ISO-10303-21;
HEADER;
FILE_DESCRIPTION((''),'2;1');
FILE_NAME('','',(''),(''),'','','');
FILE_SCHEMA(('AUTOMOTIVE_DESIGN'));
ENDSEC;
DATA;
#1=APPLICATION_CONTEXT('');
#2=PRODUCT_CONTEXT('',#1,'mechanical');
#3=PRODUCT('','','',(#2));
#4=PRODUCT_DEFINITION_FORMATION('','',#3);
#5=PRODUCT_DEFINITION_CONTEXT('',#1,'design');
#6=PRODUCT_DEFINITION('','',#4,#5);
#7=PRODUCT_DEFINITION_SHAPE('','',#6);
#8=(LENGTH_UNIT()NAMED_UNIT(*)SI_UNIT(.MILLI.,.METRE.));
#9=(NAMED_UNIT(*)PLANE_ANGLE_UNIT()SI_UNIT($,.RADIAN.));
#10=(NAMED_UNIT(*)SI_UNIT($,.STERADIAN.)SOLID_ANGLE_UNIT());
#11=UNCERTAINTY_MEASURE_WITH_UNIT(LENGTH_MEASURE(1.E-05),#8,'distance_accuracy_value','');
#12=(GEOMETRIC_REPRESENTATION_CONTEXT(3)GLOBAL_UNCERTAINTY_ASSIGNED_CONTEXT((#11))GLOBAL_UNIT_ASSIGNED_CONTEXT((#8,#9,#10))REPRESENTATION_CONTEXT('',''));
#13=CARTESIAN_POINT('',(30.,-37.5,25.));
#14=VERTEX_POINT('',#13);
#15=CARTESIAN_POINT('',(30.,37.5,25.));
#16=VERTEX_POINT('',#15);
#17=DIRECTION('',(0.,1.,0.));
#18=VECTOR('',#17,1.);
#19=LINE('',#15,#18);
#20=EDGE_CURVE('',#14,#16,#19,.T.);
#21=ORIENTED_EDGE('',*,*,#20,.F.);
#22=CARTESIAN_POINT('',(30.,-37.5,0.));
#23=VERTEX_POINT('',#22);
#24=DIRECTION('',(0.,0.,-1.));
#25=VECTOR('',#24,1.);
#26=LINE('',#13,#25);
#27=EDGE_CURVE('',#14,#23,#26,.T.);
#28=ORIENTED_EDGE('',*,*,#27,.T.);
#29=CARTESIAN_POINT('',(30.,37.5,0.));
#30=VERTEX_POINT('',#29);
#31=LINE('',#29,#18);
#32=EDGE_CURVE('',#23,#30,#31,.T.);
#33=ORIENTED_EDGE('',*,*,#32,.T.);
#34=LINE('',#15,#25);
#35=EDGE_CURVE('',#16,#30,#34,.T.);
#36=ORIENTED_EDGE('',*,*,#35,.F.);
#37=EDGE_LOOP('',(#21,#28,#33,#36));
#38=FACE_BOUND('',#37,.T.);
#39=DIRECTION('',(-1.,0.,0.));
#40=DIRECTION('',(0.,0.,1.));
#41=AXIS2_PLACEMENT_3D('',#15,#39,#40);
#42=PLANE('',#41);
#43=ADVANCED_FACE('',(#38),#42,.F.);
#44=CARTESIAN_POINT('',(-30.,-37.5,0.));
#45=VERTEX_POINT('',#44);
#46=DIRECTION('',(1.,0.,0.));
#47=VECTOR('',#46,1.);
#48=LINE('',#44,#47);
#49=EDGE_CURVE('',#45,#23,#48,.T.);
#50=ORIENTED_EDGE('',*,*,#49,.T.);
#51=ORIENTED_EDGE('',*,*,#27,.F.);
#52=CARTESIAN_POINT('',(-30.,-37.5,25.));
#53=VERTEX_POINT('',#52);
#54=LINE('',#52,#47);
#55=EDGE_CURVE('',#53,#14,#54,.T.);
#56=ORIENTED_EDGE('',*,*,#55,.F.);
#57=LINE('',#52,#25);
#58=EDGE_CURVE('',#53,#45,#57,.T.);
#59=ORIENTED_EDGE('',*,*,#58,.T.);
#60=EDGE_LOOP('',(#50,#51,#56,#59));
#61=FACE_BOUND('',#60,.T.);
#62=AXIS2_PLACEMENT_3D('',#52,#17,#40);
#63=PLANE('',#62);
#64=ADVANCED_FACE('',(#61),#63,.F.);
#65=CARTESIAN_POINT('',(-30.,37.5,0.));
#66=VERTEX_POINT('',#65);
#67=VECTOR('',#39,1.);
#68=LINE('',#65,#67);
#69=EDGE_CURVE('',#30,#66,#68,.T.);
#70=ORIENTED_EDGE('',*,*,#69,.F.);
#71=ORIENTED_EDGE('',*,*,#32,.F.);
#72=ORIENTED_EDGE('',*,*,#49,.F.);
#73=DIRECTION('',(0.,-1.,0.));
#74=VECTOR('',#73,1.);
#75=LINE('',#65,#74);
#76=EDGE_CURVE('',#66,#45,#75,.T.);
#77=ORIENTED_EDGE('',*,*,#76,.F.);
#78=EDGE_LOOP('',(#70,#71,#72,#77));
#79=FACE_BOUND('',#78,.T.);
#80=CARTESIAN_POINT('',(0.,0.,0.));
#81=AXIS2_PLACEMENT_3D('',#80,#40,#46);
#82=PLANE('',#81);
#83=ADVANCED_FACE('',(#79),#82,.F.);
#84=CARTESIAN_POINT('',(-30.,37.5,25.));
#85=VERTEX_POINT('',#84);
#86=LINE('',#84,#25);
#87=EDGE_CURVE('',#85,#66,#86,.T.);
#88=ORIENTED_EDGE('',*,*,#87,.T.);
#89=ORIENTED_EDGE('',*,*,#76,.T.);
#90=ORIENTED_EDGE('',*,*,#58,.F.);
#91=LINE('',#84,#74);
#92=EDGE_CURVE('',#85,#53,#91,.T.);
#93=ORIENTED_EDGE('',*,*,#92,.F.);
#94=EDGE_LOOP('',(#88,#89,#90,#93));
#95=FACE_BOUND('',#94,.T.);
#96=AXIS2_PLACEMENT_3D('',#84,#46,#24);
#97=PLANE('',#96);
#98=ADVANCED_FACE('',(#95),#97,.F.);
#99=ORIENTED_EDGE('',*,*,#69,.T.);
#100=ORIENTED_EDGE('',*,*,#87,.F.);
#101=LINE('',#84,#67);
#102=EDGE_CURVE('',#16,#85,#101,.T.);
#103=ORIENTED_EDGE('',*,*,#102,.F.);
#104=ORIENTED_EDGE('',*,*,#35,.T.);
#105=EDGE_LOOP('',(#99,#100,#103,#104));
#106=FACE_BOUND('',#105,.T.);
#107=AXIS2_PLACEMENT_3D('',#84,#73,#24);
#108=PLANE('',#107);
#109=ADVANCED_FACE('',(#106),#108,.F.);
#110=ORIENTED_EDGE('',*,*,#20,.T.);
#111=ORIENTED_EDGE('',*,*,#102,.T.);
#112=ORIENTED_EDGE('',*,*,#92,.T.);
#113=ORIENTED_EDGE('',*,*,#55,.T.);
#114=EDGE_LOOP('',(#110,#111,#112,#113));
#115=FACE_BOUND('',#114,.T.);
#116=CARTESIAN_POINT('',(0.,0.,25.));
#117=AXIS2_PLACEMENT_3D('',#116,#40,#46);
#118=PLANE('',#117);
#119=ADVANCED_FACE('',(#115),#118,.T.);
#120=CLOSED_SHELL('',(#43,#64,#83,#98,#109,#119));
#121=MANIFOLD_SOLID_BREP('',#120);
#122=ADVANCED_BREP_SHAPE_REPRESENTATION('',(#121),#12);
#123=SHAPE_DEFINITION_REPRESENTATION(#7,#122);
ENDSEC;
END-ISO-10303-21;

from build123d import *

# Parameters (mm, degrees)
SKETCH_1_W      = 60
SKETCH_1_H      = 75
EXTRUDE_1_DEPTH = 25


with BuildPart() as part:
    # 草图1 → 凸台-拉伸1 (new body)
    with BuildSketch(Plane.XY):
        Rectangle(SKETCH_1_W, SKETCH_1_H)
    extrude(amount=EXTRUDE_1_DEPTH)


solid = part.part
